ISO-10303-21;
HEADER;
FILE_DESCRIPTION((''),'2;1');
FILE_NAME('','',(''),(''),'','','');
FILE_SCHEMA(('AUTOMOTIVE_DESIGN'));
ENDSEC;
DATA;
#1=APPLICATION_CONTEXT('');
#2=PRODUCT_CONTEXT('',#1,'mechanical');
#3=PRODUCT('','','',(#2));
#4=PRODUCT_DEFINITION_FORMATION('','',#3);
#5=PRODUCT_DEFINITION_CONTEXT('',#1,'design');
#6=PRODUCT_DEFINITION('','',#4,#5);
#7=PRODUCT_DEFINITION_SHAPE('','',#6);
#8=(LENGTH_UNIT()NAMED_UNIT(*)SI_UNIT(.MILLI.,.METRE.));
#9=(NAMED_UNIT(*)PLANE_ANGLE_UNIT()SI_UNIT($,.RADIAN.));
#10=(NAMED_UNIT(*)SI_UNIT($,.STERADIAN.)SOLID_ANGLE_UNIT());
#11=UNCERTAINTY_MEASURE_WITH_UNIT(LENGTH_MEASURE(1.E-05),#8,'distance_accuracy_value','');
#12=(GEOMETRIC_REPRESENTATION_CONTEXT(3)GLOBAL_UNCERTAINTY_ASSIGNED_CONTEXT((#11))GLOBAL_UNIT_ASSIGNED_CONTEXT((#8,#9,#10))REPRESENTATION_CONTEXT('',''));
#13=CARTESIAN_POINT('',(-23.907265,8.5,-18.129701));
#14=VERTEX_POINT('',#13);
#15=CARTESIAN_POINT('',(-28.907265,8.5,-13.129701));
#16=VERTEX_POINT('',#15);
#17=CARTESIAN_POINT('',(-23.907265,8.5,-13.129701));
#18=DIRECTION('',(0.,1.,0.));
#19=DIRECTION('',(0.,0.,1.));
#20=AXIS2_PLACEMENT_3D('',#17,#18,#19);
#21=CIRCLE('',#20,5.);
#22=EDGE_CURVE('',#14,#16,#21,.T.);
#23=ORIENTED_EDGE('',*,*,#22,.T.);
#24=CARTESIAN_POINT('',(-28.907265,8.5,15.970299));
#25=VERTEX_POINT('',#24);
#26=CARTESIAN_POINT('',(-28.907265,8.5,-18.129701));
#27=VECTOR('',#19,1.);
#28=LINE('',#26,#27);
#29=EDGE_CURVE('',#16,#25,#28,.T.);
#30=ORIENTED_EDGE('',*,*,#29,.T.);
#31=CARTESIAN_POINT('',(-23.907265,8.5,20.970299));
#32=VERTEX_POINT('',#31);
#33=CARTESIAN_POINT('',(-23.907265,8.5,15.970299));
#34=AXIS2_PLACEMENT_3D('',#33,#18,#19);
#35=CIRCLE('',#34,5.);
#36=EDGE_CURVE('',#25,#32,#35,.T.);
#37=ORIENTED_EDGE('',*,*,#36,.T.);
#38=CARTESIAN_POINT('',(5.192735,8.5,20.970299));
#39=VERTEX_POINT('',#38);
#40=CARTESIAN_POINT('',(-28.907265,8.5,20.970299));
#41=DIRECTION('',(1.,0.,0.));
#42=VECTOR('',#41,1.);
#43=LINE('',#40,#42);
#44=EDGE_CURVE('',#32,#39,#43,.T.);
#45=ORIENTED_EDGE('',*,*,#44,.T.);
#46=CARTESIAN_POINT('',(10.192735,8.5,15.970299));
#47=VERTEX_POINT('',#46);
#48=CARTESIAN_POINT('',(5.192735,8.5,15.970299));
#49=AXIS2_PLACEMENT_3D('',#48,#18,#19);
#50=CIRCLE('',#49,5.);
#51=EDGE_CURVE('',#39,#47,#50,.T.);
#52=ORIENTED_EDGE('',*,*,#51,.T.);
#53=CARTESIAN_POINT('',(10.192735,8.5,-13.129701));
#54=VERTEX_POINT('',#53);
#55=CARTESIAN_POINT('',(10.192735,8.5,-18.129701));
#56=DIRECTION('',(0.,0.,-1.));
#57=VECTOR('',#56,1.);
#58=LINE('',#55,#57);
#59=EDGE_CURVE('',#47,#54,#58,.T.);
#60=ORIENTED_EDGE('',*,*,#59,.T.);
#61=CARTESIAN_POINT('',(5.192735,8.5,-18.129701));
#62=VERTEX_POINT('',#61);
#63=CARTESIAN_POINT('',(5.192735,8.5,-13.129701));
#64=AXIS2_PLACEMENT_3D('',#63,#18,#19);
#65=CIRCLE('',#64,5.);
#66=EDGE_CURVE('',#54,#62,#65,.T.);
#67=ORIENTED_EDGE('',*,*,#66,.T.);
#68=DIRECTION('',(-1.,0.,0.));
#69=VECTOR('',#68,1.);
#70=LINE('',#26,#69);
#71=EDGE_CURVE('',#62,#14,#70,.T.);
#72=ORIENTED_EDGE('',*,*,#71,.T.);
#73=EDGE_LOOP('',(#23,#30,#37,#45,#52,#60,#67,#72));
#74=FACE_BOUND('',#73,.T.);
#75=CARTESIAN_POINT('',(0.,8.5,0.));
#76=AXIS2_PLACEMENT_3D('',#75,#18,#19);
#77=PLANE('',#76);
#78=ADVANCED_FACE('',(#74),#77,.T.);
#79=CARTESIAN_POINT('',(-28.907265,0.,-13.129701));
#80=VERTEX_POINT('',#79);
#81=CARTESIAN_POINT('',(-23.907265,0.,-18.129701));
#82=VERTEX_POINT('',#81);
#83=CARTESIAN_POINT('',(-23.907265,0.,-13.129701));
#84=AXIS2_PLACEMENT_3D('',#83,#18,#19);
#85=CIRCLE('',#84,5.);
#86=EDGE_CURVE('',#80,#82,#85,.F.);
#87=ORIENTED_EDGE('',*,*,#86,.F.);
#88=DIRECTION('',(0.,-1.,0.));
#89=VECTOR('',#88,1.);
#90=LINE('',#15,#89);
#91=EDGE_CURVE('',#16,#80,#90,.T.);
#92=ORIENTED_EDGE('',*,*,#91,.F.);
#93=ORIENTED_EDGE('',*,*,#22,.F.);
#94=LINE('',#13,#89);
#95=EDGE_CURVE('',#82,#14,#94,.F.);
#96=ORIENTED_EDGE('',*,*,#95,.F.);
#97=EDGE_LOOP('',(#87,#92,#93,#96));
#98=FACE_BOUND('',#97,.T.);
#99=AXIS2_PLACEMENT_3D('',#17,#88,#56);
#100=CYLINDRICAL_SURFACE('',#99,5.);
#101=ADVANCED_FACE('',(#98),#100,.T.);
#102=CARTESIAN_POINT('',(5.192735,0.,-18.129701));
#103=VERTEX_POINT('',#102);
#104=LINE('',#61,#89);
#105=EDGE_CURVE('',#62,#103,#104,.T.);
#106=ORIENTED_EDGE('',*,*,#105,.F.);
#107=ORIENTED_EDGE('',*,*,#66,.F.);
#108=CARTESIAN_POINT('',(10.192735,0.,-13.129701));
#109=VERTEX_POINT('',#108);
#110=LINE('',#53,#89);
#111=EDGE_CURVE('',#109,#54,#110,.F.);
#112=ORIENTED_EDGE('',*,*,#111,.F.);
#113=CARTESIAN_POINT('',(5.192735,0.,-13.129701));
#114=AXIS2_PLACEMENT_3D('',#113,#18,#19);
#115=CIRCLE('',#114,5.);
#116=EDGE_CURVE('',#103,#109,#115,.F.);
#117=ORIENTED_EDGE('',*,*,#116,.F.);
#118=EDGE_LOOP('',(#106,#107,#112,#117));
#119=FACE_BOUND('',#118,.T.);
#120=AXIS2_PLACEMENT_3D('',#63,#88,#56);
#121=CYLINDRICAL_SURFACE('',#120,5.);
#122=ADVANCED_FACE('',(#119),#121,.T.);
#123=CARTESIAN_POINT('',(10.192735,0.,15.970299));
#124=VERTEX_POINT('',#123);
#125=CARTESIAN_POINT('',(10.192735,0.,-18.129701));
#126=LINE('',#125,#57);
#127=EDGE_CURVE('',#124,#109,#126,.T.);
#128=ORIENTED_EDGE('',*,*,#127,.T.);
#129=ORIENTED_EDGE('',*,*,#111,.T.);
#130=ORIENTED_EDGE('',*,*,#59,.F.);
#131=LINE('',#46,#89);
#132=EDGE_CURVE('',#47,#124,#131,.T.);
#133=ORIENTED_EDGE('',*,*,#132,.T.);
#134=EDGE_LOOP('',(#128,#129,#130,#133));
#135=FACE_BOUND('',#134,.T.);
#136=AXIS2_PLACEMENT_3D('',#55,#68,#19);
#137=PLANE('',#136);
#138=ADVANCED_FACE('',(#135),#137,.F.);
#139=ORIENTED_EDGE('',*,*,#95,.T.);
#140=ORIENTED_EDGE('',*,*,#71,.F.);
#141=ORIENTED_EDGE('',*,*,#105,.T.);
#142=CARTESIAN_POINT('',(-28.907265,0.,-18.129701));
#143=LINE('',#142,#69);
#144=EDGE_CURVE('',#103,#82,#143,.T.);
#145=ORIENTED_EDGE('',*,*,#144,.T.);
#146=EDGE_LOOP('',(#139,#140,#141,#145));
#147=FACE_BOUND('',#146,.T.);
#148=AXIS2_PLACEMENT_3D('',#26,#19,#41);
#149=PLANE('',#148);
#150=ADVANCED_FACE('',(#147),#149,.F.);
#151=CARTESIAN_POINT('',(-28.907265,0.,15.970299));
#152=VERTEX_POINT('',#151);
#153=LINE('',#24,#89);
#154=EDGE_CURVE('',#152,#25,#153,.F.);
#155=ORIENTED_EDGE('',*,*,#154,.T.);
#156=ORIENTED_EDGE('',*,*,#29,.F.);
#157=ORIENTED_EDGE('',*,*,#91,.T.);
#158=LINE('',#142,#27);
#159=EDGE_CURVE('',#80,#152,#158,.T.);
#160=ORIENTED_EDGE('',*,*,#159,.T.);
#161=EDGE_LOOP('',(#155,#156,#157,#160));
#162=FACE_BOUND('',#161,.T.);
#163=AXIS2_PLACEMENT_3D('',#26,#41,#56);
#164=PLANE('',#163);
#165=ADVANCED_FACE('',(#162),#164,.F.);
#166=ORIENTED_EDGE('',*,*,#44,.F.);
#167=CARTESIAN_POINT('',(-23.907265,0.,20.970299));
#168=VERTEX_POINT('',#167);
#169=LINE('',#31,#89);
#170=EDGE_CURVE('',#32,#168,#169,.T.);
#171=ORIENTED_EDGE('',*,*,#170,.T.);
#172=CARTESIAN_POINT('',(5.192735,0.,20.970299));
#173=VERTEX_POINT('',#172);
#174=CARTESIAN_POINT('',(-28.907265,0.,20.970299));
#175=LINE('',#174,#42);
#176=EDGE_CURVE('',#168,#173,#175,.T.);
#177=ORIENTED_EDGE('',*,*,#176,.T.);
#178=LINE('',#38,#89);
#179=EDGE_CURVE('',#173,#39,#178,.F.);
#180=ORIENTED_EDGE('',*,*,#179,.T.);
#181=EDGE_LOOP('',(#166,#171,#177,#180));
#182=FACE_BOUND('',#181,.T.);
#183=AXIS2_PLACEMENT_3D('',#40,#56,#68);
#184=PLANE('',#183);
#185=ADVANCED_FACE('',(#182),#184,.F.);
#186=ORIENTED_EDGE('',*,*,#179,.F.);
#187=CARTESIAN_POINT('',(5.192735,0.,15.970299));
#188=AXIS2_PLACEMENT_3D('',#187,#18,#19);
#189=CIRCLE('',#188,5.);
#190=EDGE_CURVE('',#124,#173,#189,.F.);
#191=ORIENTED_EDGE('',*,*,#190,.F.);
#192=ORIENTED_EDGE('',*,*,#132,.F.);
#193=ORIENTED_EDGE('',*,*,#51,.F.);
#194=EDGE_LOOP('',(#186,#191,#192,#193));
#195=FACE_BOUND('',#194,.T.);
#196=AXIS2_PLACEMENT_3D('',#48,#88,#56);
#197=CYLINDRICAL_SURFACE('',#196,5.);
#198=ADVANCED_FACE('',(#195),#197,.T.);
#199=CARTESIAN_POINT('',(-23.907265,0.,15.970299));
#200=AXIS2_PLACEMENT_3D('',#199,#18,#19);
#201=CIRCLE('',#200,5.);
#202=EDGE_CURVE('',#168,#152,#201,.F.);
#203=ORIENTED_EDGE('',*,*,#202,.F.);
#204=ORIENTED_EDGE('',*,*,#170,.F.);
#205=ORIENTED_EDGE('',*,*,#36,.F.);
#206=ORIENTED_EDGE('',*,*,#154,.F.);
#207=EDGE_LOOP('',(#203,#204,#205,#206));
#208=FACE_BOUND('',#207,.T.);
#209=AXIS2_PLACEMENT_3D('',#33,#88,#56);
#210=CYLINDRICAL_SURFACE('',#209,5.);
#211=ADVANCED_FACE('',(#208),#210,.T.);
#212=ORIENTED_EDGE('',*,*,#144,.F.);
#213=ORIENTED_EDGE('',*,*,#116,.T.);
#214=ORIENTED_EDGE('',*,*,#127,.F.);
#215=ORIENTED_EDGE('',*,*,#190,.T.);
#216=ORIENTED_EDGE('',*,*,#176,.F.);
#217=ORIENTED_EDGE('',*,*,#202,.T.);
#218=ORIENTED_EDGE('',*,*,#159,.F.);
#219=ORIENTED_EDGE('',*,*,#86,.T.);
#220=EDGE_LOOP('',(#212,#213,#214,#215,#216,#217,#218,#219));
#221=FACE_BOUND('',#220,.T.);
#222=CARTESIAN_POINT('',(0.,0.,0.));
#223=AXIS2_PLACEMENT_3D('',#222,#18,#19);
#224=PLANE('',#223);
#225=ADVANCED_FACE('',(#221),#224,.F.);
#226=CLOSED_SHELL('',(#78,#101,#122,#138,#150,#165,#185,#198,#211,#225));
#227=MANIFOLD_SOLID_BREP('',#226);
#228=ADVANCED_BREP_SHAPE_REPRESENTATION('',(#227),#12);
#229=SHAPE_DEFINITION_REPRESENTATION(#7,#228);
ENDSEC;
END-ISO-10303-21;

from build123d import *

# Parameters (mm, degrees)
SKETCH_1_W      = 39.1
SKETCH_1_H      = 39.1
EXTRUDE_1_DEPTH = 8.5
FILLET_1_R      = 5


with BuildPart() as part:
    # 草图1 → 凸台-拉伸1 (new body)
    with BuildSketch(Plane(origin=(0, 0, 0), x_dir=(1, 0, 0), z_dir=(0, 1, 0))):
        with Locations((-9.357264957, -1.420299145)):
            Rectangle(SKETCH_1_W, SKETCH_1_H)
    extrude(amount=EXTRUDE_1_DEPTH)

    # 圆角1
    fillet_1_edges = [part.edges().sort_by_distance(p)[0] for p in [
        (10.192735043, 4.25, 20.970299145),
        (-28.907264957, 4.25, 20.970299145),
        (-28.907264957, 4.25, -18.129700855),
        (10.192735043, 4.25, -18.129700855),
    ]]
    fillet(fillet_1_edges, radius=FILLET_1_R)


solid = part.part
